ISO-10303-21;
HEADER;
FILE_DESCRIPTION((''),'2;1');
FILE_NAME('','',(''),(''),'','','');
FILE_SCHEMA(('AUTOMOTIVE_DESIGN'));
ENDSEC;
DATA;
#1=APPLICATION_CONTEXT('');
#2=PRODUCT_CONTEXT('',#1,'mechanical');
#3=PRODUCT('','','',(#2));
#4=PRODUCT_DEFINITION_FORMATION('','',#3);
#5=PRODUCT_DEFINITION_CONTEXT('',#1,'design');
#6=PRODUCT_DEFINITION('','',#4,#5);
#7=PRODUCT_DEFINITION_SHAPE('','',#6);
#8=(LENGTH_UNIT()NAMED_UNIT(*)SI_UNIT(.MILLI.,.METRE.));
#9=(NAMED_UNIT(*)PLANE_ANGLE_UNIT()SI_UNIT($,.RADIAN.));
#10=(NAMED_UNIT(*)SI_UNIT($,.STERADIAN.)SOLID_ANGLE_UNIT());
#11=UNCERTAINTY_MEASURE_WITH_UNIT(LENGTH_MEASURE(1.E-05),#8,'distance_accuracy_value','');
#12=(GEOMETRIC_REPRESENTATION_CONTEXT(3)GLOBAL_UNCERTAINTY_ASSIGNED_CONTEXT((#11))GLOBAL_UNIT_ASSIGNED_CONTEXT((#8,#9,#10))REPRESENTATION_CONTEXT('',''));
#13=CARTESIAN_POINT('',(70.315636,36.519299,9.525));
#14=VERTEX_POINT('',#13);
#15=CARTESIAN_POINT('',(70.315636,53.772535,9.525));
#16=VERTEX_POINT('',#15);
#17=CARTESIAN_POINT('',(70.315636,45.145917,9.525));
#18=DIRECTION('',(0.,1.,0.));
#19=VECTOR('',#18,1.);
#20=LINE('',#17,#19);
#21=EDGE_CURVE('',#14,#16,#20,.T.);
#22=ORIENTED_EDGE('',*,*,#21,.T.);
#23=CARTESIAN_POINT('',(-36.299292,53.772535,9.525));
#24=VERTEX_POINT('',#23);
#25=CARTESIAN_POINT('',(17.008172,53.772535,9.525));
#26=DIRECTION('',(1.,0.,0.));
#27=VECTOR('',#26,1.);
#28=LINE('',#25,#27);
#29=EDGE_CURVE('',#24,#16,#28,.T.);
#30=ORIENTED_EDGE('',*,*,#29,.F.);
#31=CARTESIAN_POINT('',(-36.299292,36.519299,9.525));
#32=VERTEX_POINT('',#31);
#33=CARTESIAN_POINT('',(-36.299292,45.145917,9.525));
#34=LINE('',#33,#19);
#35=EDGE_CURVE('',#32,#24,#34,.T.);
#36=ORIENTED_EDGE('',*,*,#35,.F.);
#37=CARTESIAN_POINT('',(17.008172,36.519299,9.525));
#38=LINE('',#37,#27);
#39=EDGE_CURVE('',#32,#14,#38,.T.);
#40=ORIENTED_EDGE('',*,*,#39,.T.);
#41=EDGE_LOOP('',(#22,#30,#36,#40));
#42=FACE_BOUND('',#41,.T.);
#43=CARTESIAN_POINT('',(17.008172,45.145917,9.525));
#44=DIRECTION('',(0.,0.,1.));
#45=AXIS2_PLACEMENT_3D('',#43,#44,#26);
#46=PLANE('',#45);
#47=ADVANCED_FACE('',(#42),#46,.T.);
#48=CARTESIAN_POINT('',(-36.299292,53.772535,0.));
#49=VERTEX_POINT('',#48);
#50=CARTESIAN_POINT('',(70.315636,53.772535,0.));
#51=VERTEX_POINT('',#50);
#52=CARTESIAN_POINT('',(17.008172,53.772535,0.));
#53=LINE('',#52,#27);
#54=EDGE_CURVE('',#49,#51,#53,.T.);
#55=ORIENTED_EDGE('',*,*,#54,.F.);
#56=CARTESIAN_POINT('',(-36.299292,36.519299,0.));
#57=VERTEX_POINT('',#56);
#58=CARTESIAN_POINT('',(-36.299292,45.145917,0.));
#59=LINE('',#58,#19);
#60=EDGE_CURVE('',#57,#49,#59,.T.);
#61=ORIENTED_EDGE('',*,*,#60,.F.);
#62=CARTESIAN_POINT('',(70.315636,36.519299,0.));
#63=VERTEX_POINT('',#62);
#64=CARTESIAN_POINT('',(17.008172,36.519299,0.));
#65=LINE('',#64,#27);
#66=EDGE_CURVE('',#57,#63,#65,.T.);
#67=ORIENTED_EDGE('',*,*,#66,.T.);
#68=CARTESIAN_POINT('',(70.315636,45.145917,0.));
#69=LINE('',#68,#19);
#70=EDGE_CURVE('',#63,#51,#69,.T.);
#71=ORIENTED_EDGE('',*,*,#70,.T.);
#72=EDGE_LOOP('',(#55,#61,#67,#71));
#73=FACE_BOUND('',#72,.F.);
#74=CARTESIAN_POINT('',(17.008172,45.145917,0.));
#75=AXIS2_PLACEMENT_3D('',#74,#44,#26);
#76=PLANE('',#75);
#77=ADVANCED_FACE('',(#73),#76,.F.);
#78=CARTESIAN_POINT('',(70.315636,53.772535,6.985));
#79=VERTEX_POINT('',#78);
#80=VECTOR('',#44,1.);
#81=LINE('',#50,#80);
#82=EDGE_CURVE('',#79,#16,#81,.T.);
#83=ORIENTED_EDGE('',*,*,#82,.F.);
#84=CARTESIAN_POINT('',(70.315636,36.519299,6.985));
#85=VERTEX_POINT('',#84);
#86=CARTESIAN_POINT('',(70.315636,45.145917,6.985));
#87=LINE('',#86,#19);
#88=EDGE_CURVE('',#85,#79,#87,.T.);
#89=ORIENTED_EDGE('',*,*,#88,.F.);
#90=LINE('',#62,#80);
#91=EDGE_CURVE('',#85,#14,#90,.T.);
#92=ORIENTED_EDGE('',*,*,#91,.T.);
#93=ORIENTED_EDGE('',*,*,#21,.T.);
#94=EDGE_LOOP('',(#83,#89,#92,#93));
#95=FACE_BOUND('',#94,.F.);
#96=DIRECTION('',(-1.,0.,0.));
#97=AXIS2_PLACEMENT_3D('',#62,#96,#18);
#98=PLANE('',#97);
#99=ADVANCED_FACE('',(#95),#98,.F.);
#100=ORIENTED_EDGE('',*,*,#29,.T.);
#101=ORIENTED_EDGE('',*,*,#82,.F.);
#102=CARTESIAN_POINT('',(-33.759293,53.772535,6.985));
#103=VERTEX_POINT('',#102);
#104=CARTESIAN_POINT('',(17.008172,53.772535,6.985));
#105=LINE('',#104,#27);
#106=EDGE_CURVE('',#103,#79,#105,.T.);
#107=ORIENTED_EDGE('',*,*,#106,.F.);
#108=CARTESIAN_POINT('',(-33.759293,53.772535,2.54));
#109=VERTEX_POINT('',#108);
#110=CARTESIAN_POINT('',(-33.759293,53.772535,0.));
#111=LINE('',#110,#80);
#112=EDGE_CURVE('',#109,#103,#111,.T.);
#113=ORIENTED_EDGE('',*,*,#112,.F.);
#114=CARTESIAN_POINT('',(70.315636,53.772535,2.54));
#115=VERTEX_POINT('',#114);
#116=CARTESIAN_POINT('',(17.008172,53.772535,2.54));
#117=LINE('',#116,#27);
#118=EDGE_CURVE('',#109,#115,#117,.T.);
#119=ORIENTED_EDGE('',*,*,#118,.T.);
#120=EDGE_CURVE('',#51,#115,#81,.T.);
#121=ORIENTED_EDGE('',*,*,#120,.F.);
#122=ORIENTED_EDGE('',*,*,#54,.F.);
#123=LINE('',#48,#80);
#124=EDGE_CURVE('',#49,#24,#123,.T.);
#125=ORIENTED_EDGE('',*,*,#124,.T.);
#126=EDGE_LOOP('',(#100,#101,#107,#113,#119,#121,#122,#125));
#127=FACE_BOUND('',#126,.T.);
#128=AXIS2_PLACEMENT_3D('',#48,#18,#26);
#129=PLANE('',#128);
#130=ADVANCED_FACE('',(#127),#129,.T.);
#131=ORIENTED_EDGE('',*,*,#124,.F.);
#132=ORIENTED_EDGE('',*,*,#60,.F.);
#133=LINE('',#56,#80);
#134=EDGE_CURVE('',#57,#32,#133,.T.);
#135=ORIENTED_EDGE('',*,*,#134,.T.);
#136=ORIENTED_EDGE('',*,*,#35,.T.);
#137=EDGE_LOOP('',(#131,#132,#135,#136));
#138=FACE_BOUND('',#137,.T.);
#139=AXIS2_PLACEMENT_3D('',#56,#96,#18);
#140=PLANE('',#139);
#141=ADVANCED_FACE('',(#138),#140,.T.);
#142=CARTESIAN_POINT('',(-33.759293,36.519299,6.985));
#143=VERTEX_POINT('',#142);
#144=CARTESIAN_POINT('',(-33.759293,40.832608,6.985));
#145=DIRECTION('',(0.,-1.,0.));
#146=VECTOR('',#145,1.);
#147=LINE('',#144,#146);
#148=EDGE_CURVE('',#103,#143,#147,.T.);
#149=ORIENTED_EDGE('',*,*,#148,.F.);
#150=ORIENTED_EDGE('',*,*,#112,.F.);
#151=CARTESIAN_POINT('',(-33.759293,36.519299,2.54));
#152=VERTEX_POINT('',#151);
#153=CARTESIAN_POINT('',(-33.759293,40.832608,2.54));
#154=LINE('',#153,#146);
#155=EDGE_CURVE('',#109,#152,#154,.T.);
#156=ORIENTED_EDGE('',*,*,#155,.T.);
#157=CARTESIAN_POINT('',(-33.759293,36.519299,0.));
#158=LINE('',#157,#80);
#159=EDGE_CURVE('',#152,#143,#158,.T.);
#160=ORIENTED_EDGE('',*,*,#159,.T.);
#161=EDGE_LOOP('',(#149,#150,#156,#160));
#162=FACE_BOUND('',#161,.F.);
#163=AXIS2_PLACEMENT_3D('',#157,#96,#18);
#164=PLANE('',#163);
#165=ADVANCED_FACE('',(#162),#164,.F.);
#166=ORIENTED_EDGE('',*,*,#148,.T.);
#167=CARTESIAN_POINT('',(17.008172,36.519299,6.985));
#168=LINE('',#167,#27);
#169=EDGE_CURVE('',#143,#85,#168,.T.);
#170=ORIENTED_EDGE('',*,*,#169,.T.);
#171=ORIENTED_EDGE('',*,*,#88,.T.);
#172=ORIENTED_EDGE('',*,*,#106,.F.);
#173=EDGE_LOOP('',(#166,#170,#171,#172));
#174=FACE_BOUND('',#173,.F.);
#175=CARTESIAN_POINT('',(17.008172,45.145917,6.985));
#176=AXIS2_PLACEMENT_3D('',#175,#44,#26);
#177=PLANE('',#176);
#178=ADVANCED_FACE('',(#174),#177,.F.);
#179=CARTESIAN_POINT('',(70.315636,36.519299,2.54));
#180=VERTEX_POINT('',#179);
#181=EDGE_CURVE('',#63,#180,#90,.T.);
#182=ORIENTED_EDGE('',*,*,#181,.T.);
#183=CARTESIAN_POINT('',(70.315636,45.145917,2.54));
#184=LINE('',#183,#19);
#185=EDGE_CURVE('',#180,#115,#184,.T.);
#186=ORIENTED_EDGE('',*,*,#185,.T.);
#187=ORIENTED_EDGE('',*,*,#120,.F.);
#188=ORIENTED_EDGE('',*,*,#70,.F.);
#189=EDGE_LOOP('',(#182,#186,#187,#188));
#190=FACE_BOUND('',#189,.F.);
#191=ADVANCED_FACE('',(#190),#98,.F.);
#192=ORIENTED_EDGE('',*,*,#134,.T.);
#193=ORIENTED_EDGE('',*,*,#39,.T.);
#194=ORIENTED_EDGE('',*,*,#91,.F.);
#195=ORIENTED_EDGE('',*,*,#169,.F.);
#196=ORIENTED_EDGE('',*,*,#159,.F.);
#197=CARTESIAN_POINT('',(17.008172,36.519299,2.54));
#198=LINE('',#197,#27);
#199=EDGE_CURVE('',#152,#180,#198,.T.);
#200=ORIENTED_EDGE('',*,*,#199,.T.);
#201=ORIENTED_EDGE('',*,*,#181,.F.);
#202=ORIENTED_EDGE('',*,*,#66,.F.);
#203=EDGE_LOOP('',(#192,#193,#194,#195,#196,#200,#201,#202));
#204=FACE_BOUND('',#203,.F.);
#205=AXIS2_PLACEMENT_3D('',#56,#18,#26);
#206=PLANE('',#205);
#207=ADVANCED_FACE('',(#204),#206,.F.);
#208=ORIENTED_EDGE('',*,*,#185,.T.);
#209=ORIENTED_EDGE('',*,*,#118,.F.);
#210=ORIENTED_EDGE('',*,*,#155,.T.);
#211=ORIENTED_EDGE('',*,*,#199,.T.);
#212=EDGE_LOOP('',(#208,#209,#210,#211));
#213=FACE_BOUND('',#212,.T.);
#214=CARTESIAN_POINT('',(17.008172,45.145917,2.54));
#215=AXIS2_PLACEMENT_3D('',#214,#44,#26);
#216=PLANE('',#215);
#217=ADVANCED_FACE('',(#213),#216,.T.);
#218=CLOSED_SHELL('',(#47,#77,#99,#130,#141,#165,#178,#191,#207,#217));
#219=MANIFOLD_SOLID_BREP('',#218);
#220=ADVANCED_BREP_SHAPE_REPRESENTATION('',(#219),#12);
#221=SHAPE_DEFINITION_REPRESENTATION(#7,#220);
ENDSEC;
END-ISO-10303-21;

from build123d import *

# Parameters (mm, degrees)
F0_W     = 106.614929
F0_H     = 17.253236
F1_DEPTH = 9.525
F2_T     = -2.54


with BuildPart() as f1:
    # F0 (on Top) → F1 (new body)
    with BuildSketch(Plane.XY):
        with Locations((17.008172, 45.145917)):
            Rectangle(F0_W, F0_H)
    extrude(amount=F1_DEPTH)

    # F2
    f2_openings = [f1.faces().sort_by_distance(p)[0] for p in [
        (17.008172, 36.519299, 4.7625),
        (70.315637, 45.145917, 4.7625),
        (17.008172, 53.772535, 4.7625),
    ]]
    offset(amount=F2_T, openings=f2_openings)


solid = f1.part
